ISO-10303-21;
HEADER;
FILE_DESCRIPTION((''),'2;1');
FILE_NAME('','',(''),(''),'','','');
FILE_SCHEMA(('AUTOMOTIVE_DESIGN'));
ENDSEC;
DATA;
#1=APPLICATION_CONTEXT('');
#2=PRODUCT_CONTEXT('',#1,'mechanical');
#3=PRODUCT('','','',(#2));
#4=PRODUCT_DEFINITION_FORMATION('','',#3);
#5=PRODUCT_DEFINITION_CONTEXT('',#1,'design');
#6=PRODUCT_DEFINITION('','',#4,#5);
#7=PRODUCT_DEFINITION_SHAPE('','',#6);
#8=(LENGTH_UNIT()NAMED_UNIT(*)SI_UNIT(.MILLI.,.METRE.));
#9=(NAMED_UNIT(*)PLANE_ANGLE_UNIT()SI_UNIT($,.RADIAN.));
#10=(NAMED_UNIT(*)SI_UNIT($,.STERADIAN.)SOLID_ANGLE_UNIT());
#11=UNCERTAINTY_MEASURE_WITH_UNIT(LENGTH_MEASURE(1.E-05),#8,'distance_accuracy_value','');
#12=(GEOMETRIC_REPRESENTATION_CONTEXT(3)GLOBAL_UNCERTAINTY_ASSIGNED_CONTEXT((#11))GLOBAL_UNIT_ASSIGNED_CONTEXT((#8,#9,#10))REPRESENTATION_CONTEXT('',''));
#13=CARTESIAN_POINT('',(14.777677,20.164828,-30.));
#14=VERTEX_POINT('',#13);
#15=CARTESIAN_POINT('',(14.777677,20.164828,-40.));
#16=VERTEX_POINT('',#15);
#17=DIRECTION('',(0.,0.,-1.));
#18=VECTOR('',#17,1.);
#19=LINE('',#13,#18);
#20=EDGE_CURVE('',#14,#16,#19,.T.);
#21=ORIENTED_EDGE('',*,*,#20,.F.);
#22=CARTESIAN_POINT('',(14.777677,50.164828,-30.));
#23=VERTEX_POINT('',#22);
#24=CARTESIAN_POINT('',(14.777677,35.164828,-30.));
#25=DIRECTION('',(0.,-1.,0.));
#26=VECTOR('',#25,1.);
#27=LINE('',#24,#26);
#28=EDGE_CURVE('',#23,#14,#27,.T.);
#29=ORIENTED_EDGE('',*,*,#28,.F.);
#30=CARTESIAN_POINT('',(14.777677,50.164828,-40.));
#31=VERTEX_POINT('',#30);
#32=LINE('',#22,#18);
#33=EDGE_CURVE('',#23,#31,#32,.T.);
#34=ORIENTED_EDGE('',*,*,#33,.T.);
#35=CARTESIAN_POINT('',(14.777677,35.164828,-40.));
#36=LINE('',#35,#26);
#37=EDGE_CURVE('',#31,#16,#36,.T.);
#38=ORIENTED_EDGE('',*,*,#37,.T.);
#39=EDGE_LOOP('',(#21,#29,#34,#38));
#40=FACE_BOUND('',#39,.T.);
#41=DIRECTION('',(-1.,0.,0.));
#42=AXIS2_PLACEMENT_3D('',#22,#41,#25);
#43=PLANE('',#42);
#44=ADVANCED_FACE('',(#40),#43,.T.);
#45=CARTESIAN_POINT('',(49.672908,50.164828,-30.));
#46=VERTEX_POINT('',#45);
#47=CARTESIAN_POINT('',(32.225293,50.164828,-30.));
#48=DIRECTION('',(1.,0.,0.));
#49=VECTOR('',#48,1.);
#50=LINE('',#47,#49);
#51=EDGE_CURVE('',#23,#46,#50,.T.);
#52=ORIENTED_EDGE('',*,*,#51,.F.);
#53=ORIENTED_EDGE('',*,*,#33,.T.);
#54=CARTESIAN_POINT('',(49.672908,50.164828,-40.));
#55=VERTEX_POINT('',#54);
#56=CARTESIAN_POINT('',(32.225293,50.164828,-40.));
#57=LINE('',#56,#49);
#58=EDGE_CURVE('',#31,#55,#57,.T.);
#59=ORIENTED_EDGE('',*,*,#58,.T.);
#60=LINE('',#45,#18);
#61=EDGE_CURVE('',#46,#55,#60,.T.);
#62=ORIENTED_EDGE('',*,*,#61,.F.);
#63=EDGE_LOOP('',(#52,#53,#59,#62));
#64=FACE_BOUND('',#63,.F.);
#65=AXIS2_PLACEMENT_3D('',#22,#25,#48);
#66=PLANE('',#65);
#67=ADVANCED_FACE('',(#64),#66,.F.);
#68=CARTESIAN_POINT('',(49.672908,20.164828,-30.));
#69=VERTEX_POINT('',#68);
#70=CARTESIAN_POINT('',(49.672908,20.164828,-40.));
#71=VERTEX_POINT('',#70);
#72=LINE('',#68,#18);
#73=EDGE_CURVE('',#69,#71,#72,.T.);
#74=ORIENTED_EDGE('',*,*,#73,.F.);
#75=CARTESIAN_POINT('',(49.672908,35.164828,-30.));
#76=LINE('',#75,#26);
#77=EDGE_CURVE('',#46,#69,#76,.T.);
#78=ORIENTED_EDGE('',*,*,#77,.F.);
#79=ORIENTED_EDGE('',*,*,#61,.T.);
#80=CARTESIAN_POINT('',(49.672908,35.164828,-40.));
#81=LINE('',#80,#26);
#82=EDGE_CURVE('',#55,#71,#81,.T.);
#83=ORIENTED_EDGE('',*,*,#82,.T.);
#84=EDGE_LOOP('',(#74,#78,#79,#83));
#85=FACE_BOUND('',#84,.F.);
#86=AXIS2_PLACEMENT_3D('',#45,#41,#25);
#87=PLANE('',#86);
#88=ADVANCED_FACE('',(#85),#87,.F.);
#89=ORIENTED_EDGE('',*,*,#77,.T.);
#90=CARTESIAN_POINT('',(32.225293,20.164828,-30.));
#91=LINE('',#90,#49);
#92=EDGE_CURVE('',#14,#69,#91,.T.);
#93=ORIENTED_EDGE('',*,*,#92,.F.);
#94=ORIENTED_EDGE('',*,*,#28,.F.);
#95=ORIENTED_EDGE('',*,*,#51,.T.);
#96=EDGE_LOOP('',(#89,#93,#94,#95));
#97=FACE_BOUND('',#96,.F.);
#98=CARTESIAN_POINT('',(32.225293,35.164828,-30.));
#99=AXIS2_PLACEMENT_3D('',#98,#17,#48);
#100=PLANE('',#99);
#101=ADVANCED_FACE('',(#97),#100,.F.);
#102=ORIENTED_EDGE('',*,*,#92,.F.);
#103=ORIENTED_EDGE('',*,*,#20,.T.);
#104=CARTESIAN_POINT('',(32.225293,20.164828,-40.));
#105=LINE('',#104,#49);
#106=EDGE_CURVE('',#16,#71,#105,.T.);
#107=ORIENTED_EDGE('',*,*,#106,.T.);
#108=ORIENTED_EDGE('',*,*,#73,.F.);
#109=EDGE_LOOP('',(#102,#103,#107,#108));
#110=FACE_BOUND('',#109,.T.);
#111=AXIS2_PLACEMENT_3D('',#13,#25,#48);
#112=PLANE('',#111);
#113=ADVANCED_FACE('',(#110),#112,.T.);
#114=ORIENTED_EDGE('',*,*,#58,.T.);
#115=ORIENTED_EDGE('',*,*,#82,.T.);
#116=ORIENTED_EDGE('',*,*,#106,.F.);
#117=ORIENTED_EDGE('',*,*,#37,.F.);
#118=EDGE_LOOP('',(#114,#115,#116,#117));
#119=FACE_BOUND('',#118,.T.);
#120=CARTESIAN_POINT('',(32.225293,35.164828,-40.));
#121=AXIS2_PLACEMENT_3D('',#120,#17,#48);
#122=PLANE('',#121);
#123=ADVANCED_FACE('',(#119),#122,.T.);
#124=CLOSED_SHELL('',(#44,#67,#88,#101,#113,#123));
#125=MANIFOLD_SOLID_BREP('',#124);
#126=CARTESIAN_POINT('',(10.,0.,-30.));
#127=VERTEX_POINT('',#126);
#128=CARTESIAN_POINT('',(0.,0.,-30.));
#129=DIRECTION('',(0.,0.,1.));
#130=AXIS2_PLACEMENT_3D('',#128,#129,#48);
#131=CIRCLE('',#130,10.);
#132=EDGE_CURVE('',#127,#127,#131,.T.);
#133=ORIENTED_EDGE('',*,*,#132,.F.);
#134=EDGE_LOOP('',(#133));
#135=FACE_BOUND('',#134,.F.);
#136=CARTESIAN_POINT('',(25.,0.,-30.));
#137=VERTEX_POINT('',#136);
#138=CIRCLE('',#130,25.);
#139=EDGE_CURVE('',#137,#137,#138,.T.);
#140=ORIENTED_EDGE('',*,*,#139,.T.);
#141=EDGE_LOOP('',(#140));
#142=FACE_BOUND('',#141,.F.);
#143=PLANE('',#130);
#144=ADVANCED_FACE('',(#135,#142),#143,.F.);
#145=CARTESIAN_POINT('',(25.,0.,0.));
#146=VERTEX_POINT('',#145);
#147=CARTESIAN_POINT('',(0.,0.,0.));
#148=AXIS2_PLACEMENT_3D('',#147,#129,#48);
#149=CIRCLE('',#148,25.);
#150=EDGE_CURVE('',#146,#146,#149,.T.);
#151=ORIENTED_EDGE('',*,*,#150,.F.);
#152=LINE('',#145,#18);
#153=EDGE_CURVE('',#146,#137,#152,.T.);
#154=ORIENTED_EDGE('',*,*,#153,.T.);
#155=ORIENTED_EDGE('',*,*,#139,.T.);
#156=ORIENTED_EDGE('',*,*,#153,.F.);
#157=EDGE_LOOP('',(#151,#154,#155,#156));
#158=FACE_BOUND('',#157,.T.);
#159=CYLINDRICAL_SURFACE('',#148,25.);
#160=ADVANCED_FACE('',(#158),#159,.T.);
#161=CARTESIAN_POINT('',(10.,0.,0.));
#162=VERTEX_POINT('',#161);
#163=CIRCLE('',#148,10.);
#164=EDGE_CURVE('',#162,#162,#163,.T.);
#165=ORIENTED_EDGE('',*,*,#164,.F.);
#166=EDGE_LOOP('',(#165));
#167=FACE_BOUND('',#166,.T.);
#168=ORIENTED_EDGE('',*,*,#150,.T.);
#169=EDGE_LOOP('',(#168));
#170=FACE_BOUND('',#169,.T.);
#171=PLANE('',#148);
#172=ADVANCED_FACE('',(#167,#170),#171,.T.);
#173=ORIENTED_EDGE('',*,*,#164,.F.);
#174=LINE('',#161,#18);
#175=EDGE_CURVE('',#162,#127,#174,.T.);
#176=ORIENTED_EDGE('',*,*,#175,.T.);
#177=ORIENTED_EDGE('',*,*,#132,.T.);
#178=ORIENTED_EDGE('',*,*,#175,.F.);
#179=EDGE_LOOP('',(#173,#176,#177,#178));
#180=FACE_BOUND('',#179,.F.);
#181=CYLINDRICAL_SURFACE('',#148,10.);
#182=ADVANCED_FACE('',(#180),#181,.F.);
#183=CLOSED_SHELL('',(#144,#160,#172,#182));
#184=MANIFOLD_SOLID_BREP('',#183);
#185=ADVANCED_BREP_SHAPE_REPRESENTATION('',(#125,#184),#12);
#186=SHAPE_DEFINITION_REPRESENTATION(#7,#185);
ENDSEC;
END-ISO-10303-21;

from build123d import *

# Parameters (mm, degrees)
F0_R     = 25
F0_R_2   = 10
F1_DEPTH = 30
F2_W     = 34.895231
F2_H     = 30
F3_DEPTH = 10


with BuildPart() as f1:
    # F0 (on Top) → F1 (new body)
    with BuildSketch(Plane.XY):
        Circle(F0_R)
        Circle(F0_R_2, mode=Mode.SUBTRACT)
    extrude(amount=-F1_DEPTH)


with BuildPart() as f3:
    # F2 (on face) → F3 (new body)
    with BuildSketch(Plane(origin=(0, 0, -30), x_dir=(1, 0, 0), z_dir=(0, 0, -1))):
        with Locations((32.225293, -35.164828)):
            Rectangle(F2_W, F2_H)
    extrude(amount=F3_DEPTH)


solid = Compound([f1.part, f3.part])
